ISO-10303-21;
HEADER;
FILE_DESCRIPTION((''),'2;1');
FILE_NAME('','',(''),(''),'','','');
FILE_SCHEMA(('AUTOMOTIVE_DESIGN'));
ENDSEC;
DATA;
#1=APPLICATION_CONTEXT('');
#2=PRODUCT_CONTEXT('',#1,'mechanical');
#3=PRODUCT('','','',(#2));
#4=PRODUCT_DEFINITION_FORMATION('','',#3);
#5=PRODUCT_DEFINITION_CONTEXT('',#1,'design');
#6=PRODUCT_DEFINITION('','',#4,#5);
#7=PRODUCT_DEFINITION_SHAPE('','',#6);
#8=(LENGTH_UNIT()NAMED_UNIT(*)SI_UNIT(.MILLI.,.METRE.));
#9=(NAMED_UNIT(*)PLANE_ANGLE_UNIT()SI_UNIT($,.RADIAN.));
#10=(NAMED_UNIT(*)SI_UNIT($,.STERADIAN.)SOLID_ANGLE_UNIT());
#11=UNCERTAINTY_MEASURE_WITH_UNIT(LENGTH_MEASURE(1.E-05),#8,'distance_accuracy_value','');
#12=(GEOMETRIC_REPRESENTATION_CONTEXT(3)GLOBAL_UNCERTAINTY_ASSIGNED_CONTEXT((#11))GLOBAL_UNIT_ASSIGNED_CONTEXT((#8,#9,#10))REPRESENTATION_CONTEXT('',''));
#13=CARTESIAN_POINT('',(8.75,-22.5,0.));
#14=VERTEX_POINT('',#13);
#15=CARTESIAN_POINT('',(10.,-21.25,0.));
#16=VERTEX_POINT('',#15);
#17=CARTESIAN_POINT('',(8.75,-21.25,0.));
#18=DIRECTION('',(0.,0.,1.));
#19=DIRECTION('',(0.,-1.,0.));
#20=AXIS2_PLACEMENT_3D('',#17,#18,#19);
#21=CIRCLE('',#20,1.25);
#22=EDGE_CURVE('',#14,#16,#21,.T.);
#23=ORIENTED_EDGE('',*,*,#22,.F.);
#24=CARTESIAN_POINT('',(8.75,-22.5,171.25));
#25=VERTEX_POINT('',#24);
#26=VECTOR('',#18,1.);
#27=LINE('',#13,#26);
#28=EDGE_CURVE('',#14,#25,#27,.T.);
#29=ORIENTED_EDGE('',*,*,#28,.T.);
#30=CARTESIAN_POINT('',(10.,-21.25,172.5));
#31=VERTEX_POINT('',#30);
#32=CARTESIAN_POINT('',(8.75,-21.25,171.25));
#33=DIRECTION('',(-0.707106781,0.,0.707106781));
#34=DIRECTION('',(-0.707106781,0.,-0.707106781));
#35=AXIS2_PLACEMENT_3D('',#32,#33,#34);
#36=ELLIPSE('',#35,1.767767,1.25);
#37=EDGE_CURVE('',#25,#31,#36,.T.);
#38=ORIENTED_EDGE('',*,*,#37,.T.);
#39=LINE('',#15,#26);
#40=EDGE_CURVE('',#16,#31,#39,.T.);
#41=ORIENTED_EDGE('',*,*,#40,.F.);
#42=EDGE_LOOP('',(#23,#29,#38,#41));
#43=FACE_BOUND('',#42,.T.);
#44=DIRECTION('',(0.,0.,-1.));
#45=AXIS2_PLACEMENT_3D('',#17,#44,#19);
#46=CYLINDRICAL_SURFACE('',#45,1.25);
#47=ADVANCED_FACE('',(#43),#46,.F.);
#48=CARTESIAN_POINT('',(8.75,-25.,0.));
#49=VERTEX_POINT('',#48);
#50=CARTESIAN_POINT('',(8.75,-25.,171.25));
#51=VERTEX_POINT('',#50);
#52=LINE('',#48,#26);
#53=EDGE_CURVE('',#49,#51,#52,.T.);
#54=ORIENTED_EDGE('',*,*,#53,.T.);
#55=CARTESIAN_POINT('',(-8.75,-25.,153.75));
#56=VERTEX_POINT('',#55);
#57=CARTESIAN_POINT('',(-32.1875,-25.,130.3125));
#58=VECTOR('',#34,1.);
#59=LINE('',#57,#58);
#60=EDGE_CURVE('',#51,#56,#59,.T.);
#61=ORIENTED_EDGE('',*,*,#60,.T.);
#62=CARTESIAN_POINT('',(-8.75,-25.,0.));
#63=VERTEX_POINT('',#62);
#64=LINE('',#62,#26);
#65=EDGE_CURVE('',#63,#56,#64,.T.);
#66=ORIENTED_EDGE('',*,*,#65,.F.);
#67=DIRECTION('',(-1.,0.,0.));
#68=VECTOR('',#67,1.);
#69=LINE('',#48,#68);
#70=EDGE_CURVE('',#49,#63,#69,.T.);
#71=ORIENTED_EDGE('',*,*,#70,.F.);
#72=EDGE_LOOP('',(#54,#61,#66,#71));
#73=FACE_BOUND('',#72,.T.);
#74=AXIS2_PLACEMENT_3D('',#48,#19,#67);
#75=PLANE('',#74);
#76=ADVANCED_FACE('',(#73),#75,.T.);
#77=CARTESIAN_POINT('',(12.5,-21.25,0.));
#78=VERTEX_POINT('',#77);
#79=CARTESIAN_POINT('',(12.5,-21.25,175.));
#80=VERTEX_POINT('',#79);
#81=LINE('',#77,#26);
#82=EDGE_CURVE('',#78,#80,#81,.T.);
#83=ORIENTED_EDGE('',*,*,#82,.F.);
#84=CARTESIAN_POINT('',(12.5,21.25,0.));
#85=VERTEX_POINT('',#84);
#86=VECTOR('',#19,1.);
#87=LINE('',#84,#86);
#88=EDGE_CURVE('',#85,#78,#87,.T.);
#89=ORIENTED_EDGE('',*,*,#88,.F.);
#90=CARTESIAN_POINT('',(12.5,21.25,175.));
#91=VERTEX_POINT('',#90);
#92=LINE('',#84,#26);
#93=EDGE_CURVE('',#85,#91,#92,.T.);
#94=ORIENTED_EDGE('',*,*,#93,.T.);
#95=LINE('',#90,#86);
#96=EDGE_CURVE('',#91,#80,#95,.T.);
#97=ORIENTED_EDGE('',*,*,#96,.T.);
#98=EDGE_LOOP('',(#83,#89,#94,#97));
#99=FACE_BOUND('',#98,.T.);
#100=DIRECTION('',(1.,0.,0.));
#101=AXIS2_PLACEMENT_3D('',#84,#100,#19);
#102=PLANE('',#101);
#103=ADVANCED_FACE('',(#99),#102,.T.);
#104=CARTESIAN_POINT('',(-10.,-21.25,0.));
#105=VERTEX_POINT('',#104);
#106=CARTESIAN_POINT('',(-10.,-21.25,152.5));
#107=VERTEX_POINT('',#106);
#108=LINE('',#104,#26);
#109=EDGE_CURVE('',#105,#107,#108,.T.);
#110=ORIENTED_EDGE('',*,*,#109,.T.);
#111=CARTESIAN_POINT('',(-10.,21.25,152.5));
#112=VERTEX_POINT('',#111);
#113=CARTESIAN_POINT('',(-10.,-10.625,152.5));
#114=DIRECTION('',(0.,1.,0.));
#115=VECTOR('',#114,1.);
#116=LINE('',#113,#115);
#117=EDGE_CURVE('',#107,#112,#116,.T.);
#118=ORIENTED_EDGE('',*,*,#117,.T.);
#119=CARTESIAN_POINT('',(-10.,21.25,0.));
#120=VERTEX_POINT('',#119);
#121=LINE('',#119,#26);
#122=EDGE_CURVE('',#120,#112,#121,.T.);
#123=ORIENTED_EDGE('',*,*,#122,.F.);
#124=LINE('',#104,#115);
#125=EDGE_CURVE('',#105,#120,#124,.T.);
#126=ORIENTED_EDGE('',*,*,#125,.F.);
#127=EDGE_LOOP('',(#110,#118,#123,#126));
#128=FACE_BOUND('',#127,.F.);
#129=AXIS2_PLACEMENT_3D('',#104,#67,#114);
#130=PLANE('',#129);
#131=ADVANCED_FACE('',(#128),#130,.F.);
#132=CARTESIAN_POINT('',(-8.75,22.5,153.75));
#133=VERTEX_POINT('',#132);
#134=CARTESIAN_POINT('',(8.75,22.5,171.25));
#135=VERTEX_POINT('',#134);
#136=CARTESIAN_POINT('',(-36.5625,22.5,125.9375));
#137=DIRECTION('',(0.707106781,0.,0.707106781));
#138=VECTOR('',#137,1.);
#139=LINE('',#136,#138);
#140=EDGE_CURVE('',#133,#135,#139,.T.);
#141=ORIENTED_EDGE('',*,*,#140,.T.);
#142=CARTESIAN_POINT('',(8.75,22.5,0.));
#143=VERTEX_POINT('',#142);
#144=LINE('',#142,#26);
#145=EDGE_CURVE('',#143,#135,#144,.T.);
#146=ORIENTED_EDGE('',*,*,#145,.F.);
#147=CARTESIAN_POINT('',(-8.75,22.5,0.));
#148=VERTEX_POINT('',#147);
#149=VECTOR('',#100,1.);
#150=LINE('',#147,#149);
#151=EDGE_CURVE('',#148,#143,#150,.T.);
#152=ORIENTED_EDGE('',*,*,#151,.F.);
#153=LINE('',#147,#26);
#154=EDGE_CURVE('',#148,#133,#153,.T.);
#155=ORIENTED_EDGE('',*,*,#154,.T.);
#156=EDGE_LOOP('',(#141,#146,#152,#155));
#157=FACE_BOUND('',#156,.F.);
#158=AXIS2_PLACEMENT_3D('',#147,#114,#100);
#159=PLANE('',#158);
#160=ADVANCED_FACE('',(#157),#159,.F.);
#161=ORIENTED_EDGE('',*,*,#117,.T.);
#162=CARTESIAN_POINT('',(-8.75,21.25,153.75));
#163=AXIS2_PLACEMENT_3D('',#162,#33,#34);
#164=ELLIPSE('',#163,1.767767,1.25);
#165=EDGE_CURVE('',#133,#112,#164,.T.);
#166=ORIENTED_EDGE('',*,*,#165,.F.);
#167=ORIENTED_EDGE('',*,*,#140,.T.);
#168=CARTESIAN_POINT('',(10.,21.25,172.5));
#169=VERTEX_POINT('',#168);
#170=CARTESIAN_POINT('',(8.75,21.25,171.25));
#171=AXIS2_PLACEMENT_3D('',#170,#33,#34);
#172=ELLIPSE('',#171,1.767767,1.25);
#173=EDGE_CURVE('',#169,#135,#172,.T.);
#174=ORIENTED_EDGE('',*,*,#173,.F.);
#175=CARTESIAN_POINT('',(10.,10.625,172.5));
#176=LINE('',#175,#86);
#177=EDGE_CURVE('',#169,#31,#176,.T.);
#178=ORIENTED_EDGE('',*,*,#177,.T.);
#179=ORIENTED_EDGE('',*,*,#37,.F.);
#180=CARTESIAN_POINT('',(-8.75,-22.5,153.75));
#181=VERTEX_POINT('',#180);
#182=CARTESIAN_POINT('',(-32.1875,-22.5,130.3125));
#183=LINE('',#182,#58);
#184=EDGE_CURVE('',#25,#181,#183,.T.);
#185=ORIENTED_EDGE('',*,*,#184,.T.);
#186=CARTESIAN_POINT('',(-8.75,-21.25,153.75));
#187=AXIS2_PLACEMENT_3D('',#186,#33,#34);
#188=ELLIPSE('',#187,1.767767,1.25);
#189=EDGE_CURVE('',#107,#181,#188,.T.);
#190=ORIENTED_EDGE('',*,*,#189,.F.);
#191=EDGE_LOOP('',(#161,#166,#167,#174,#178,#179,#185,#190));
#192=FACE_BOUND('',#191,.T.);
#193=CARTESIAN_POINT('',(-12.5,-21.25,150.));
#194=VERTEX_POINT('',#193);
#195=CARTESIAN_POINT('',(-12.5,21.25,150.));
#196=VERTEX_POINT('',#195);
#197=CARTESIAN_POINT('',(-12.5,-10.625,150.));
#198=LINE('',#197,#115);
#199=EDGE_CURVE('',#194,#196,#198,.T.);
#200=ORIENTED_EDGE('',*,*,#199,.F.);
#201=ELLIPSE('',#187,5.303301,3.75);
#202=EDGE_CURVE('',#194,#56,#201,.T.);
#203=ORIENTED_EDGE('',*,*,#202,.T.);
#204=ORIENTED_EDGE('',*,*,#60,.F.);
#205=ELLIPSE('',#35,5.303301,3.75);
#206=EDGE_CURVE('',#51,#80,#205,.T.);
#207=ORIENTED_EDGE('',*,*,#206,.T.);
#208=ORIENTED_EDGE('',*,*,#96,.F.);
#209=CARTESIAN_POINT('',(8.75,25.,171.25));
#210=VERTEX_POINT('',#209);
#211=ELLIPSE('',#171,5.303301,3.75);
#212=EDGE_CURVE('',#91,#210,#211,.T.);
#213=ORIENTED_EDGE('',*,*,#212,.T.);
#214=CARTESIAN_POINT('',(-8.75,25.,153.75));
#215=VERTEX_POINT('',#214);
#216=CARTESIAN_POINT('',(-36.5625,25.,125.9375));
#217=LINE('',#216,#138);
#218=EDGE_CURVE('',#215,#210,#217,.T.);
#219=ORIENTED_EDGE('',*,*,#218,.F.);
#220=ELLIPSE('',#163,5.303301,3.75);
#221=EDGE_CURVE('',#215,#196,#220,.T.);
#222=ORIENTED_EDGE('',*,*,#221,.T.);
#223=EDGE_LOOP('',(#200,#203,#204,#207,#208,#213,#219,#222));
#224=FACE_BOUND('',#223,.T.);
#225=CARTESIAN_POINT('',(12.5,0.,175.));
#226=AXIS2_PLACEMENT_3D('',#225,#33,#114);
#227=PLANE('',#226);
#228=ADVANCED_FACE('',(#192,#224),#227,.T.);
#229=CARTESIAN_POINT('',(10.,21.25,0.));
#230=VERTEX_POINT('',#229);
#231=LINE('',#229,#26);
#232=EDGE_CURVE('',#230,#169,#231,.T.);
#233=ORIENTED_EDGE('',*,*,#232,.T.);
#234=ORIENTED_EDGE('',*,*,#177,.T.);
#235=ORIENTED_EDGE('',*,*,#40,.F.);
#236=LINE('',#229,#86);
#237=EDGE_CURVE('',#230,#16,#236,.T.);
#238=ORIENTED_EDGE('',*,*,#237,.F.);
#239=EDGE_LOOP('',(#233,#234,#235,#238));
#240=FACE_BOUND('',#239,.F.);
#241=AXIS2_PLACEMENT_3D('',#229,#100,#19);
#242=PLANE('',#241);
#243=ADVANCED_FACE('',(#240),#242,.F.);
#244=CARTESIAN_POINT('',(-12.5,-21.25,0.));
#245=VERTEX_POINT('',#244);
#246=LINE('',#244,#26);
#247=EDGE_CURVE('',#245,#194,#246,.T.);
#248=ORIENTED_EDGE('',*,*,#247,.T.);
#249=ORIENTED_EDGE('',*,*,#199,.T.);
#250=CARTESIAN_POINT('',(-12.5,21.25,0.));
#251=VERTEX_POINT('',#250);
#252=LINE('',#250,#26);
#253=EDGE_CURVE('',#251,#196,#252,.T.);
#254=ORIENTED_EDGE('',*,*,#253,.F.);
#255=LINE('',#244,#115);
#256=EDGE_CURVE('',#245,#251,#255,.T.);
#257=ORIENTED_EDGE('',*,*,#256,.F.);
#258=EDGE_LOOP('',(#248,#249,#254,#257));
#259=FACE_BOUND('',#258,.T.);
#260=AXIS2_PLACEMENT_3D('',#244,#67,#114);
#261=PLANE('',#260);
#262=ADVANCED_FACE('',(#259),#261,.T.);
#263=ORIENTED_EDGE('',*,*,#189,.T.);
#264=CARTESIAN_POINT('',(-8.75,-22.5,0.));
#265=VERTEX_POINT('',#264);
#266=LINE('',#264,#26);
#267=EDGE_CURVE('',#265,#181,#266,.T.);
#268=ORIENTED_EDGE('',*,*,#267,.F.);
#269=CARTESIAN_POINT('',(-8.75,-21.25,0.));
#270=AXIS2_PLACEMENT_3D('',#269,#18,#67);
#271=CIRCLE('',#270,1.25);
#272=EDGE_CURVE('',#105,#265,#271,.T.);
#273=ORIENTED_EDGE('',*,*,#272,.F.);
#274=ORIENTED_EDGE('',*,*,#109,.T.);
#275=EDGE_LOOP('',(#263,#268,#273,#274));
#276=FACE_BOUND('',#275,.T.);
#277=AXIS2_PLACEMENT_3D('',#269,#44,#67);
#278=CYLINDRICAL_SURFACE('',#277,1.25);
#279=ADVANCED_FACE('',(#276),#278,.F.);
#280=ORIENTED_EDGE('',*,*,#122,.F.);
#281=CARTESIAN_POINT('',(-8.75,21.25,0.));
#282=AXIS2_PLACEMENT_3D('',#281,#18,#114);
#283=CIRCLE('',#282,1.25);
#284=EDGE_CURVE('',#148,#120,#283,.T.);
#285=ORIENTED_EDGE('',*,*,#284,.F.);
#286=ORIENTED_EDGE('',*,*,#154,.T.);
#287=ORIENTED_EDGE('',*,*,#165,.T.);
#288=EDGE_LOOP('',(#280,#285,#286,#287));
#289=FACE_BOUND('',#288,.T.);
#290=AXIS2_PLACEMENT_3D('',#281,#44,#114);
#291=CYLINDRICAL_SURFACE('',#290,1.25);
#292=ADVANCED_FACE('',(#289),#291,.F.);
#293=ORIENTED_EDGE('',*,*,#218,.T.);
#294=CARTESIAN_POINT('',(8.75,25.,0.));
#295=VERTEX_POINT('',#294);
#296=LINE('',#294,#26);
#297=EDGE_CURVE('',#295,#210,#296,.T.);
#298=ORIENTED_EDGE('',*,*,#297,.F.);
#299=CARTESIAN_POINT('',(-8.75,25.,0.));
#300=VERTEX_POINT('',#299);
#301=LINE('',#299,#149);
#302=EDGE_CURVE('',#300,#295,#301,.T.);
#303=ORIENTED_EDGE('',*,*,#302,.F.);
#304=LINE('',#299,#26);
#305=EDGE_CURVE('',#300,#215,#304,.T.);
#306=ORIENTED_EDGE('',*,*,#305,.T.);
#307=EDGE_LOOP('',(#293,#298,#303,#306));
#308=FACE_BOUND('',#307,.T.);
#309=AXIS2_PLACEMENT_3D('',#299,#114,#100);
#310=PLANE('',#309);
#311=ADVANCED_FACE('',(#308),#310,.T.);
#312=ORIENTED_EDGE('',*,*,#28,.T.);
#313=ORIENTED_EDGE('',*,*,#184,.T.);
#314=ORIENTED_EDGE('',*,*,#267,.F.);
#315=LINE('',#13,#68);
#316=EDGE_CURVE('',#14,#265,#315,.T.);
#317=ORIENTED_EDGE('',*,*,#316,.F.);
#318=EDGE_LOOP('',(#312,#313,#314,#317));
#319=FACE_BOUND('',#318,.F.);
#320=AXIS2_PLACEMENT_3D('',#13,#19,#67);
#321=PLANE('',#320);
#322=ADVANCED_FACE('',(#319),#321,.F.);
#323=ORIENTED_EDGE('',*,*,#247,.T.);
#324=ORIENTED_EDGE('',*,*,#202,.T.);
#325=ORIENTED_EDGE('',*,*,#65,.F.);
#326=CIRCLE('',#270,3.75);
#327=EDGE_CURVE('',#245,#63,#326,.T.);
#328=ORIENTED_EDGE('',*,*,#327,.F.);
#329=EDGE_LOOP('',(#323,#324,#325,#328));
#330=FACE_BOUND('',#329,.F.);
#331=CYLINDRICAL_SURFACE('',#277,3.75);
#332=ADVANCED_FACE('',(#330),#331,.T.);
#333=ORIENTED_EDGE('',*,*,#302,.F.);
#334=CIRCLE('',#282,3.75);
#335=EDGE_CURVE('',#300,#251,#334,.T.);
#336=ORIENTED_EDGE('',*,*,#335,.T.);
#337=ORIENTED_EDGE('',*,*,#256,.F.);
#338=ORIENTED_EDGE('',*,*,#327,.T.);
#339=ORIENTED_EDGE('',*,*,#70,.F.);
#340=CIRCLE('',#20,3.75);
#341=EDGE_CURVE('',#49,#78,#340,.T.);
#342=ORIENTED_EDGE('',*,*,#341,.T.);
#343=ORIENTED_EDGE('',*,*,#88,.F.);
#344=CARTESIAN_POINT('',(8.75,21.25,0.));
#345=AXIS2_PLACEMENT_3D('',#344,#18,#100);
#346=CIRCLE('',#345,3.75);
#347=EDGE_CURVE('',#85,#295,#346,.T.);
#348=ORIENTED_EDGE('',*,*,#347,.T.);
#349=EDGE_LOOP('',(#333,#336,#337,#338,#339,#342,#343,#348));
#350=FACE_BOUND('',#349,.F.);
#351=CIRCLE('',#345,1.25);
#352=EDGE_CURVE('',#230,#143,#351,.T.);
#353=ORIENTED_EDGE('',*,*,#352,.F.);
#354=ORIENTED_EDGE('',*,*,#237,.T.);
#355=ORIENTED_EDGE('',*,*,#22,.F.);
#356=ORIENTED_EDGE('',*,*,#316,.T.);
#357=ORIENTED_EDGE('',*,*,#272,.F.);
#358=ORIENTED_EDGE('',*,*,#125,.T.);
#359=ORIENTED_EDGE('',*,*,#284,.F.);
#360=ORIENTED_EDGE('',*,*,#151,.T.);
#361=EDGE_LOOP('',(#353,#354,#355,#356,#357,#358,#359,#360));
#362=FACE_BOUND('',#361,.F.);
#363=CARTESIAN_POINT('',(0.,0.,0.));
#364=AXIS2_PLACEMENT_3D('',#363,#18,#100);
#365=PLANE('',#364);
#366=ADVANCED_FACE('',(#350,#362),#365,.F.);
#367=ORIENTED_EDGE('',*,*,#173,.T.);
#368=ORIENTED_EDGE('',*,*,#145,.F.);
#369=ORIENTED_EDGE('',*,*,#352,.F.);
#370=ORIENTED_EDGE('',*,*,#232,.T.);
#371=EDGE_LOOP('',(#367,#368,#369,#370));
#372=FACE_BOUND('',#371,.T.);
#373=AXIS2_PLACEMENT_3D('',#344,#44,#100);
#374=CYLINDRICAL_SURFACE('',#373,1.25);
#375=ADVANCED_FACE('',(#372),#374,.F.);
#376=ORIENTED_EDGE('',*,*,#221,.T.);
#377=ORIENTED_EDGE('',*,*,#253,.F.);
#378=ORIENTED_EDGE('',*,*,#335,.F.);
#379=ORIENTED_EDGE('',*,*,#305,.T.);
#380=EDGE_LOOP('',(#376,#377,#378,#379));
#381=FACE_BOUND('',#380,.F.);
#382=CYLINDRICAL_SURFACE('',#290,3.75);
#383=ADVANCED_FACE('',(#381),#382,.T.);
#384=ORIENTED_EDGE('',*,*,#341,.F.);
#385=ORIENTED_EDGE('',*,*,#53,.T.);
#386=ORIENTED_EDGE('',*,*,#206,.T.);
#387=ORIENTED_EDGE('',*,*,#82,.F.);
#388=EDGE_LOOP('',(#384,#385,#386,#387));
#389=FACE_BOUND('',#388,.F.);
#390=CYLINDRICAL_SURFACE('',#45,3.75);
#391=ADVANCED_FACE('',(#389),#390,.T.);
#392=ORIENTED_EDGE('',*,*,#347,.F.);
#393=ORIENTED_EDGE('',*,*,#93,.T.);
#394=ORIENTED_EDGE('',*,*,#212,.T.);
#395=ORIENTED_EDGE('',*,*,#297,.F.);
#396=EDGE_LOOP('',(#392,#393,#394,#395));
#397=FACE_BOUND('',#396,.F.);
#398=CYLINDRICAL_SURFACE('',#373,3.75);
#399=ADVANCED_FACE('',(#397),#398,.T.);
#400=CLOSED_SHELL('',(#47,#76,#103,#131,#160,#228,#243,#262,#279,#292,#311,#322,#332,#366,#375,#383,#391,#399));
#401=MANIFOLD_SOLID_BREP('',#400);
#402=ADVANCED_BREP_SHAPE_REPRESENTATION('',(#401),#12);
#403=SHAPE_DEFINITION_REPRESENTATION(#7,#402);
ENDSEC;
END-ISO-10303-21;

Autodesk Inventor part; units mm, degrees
ref_plane "Plano inicial" through (0, 0, 0) normal (0, 0, 1) x (1, 0, 0)
ref_plane "Plano final" through (0, 0, 175) normal (0, 0, 1) x (1, 0, 0)
sketch "Boceto" plane through (0, 0, 0) normal (0, 0, 1) x (1, 0, 0)
  line L0 (-12.5, -21.25) -> (-12.5, 21.25)
  line L1 (-8.75, 25) -> (8.75, 25)
  line L2 (12.5, 21.25) -> (12.5, -21.25)
  line L3 (8.75, -25) -> (-8.75, -25)
  arc A0 (-12.5, -21.25) -> (-8.75, -25) centre (-8.75, -21.25) ccw
  arc A1 (-8.75, 25) -> (-12.5, 21.25) centre (-8.75, 21.25) ccw
  arc A2 (12.5, 21.25) -> (8.75, 25) centre (8.75, 21.25) ccw
  arc A3 (8.75, -25) -> (12.5, -21.25) centre (8.75, -21.25) ccw
  arc A4 (-8.75, 22.5) -> (-10, 21.25) centre (-8.75, 21.25) ccw
  line L4 (-8.75, 22.5) -> (8.75, 22.5)
  arc A5 (10, 21.25) -> (8.75, 22.5) centre (8.75, 21.25) ccw
  line L5 (10, 21.25) -> (10, -21.25)
  arc A6 (8.75, -22.5) -> (10, -21.25) centre (8.75, -21.25) ccw
  line L6 (8.75, -22.5) -> (-8.75, -22.5)
  arc A7 (-10, -21.25) -> (-8.75, -22.5) centre (-8.75, -21.25) ccw
  line L7 (-10, -21.25) -> (-10, 21.25)
  line L8 (0, 36.0873) -> (0, -36.0873) construction
  line L9 (-18.5873, 0) -> (18.5873, 0) construction
  dimension "d7" = 3.75
  dimension "d10" = 50
  dimension "d11" = 25
  dimension "d12" = 2.5
  dimension "d15" = 25
  dimension "d16" = 12.5
extrude "Cuerpo" add sketch "Boceto" along normal up to surface (175 mm away) from surface at 0
sketch "Sketch3" plane through (0, 0, 0) normal (0, 0, 1) x (1, 0, 0)
  line L0 (0, 0) -> (10, 0)
ref_plane "Work Plane3" through (0, 0, 0) normal (0, -1, 0) x (1, 0, 0)
sketch "Sketch4" plane through (0, 0, 0) normal (0, -1, 0) x (1, 0, 0)
  line L0 (-2, 0) -> (12, 0)
  line L1 (-2, 175) -> (12, 175)
  dimension "d18" = 175
ref_plane "Plano de trabajo4" through (12.5, 0, 175) normal (-0.7071, 0, 0.7071) x (0.7071, 0, 0.7071)
split "Dividir1" plane through (12.5, 0, 175) removes the side toward (-0.7071, 0, 0.7071)
equation "\"d7\" = G_IR"
equation "\"d10\" = G_H"
equation "\"d11\" = G_W"
equation "\"d12\" = G_T"
equation "\"d15\" = 0.5 * d10"
equation "\"d16\" = 0.5 * d11"
equation "\"d3\" = G_L"
equation "\"G_W\" = 25"
equation "\"G_H\" = 50"
equation "\"G_T\" = 2.5"
equation "\"G_IR\" = 3.75"
equation "\"G_L\" = d18"
equation "\"G_OFFSET_START\" = 0"
equation "\"G_OFFSET_END\" = 0"
equation "\"d14\" = G_OFFSET_END + B_L"
equation "\"B_L\" = 175"
properties part number "ISO 12633-2 - 50x25x2.5 - 175" material "Acero, suave"
